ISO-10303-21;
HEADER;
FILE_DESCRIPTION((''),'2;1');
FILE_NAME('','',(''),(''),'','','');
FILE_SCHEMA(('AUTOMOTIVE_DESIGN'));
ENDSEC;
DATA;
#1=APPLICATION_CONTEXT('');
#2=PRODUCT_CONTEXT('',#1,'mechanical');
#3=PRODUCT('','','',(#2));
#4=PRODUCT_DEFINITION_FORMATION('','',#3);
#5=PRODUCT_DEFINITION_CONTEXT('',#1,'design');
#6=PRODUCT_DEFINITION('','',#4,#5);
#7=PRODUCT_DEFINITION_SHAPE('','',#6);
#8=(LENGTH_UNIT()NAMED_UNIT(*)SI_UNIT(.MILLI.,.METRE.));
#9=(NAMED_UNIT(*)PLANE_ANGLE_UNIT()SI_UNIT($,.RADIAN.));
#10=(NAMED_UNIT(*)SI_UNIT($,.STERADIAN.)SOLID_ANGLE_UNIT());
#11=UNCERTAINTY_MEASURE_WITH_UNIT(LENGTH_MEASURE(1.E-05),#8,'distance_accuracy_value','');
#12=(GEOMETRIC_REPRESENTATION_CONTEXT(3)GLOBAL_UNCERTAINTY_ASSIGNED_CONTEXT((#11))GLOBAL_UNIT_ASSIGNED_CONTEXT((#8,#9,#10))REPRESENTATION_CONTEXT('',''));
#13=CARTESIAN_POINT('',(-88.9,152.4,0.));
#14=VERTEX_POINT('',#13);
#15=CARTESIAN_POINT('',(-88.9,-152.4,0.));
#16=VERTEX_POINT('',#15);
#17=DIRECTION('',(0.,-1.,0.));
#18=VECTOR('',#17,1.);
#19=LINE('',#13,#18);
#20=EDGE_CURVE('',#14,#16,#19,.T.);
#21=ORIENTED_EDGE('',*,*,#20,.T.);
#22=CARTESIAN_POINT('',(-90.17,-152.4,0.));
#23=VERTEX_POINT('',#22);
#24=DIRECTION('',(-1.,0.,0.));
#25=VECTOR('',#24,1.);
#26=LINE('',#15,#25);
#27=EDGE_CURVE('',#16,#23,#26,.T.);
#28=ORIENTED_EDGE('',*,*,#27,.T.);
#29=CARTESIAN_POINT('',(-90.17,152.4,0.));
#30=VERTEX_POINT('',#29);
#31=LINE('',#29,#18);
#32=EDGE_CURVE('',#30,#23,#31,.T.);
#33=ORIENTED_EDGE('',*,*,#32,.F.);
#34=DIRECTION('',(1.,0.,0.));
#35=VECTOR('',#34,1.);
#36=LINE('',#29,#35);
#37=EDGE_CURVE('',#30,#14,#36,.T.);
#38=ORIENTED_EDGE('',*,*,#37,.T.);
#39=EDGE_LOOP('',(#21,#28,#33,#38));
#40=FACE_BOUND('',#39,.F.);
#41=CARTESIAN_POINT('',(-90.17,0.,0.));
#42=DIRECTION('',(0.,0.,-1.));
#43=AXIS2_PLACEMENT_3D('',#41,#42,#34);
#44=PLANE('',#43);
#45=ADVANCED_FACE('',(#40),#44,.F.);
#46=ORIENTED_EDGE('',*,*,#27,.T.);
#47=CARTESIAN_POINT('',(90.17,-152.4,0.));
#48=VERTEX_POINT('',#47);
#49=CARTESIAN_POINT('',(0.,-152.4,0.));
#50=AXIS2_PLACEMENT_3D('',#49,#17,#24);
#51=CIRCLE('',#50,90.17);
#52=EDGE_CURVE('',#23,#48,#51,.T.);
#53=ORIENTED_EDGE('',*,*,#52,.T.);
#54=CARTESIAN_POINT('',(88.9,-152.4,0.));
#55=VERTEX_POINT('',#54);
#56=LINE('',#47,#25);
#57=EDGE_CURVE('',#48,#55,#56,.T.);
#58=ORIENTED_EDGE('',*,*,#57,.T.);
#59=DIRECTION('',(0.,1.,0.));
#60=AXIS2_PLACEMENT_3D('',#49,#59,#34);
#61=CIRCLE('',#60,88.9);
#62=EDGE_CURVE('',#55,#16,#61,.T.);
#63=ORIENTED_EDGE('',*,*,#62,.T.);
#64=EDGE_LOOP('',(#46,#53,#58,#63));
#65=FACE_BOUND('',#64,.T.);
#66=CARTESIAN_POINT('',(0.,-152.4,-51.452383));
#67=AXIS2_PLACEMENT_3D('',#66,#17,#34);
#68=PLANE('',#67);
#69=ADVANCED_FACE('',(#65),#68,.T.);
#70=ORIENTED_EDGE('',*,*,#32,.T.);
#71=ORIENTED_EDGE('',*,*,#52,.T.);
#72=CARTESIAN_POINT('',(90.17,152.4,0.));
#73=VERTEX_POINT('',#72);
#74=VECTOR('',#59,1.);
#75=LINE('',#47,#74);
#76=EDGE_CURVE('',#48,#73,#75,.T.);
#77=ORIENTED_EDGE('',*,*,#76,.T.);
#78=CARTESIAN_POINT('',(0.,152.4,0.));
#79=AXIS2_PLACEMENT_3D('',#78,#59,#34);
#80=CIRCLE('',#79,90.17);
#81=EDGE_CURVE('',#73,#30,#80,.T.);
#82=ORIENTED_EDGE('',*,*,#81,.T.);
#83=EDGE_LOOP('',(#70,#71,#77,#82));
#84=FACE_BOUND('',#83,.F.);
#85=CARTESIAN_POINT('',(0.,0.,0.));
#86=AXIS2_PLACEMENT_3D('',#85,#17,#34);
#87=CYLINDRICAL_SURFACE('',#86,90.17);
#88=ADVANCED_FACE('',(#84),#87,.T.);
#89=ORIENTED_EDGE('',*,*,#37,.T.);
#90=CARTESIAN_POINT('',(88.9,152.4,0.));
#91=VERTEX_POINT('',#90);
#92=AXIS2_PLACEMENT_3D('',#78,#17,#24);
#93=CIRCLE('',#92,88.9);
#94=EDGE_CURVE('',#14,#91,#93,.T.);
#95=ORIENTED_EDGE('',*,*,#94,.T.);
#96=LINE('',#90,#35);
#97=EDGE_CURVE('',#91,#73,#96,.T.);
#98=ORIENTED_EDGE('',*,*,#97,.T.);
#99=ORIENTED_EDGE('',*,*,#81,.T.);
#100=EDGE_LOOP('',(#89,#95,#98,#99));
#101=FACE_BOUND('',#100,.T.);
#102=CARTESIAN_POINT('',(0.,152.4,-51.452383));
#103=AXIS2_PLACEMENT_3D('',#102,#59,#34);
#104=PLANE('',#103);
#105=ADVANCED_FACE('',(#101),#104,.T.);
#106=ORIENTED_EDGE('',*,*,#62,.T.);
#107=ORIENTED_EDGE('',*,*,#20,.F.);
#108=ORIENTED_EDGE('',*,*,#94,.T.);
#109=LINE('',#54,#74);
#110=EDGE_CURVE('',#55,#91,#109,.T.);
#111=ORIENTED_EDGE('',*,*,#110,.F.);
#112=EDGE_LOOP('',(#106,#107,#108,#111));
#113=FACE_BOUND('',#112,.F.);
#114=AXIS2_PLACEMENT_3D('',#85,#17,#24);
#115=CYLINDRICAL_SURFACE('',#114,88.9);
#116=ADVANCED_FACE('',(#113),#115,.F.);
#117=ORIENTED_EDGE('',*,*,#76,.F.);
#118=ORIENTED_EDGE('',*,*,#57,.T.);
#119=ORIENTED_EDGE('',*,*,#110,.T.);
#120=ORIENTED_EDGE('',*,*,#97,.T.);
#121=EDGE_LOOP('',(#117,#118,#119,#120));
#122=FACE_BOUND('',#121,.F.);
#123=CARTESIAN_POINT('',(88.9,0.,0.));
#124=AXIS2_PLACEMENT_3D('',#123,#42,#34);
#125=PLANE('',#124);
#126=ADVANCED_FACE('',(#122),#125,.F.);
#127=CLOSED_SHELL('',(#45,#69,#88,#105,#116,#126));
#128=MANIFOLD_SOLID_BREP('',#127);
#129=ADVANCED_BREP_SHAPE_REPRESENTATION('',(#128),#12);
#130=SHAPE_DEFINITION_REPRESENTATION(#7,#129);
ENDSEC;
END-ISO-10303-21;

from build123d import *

# Parameters (mm, degrees)
F1_DEPTH = 152.4
F2_DEPTH = 152.4


with BuildPart() as f1:
    # F0 (on Front) → F1 (new body)
    with BuildSketch(Plane.XZ):
        with BuildLine():
            Line((-88.9, 0), (-90.17, 0))
            ThreePointArc((-90.17, 0), (0, -90.17), (90.17, 0))
            Line((90.17, 0), (88.9, 0))
            ThreePointArc((88.9, 0), (0, -88.9), (-88.9, 0))
        make_face()
    extrude(amount=F1_DEPTH)

    # F1_face (on face) → F2 (join)
    with BuildSketch(Plane(origin=(0, 0, -57.000707), x_dir=(1, 0, 0), z_dir=(0, 1, 0))):
        with BuildLine():
            ThreePointArc((-88.9, -57.000707), (0, 31.899293), (88.9, -57.000707))
            Line((88.9, -57.000707), (90.17, -57.000707))
            ThreePointArc((90.17, -57.000707), (0, 33.169293), (-90.17, -57.000707))
            Line((-90.17, -57.000707), (-88.9, -57.000707))
        make_face()
    extrude(amount=F2_DEPTH)


solid = f1.part
